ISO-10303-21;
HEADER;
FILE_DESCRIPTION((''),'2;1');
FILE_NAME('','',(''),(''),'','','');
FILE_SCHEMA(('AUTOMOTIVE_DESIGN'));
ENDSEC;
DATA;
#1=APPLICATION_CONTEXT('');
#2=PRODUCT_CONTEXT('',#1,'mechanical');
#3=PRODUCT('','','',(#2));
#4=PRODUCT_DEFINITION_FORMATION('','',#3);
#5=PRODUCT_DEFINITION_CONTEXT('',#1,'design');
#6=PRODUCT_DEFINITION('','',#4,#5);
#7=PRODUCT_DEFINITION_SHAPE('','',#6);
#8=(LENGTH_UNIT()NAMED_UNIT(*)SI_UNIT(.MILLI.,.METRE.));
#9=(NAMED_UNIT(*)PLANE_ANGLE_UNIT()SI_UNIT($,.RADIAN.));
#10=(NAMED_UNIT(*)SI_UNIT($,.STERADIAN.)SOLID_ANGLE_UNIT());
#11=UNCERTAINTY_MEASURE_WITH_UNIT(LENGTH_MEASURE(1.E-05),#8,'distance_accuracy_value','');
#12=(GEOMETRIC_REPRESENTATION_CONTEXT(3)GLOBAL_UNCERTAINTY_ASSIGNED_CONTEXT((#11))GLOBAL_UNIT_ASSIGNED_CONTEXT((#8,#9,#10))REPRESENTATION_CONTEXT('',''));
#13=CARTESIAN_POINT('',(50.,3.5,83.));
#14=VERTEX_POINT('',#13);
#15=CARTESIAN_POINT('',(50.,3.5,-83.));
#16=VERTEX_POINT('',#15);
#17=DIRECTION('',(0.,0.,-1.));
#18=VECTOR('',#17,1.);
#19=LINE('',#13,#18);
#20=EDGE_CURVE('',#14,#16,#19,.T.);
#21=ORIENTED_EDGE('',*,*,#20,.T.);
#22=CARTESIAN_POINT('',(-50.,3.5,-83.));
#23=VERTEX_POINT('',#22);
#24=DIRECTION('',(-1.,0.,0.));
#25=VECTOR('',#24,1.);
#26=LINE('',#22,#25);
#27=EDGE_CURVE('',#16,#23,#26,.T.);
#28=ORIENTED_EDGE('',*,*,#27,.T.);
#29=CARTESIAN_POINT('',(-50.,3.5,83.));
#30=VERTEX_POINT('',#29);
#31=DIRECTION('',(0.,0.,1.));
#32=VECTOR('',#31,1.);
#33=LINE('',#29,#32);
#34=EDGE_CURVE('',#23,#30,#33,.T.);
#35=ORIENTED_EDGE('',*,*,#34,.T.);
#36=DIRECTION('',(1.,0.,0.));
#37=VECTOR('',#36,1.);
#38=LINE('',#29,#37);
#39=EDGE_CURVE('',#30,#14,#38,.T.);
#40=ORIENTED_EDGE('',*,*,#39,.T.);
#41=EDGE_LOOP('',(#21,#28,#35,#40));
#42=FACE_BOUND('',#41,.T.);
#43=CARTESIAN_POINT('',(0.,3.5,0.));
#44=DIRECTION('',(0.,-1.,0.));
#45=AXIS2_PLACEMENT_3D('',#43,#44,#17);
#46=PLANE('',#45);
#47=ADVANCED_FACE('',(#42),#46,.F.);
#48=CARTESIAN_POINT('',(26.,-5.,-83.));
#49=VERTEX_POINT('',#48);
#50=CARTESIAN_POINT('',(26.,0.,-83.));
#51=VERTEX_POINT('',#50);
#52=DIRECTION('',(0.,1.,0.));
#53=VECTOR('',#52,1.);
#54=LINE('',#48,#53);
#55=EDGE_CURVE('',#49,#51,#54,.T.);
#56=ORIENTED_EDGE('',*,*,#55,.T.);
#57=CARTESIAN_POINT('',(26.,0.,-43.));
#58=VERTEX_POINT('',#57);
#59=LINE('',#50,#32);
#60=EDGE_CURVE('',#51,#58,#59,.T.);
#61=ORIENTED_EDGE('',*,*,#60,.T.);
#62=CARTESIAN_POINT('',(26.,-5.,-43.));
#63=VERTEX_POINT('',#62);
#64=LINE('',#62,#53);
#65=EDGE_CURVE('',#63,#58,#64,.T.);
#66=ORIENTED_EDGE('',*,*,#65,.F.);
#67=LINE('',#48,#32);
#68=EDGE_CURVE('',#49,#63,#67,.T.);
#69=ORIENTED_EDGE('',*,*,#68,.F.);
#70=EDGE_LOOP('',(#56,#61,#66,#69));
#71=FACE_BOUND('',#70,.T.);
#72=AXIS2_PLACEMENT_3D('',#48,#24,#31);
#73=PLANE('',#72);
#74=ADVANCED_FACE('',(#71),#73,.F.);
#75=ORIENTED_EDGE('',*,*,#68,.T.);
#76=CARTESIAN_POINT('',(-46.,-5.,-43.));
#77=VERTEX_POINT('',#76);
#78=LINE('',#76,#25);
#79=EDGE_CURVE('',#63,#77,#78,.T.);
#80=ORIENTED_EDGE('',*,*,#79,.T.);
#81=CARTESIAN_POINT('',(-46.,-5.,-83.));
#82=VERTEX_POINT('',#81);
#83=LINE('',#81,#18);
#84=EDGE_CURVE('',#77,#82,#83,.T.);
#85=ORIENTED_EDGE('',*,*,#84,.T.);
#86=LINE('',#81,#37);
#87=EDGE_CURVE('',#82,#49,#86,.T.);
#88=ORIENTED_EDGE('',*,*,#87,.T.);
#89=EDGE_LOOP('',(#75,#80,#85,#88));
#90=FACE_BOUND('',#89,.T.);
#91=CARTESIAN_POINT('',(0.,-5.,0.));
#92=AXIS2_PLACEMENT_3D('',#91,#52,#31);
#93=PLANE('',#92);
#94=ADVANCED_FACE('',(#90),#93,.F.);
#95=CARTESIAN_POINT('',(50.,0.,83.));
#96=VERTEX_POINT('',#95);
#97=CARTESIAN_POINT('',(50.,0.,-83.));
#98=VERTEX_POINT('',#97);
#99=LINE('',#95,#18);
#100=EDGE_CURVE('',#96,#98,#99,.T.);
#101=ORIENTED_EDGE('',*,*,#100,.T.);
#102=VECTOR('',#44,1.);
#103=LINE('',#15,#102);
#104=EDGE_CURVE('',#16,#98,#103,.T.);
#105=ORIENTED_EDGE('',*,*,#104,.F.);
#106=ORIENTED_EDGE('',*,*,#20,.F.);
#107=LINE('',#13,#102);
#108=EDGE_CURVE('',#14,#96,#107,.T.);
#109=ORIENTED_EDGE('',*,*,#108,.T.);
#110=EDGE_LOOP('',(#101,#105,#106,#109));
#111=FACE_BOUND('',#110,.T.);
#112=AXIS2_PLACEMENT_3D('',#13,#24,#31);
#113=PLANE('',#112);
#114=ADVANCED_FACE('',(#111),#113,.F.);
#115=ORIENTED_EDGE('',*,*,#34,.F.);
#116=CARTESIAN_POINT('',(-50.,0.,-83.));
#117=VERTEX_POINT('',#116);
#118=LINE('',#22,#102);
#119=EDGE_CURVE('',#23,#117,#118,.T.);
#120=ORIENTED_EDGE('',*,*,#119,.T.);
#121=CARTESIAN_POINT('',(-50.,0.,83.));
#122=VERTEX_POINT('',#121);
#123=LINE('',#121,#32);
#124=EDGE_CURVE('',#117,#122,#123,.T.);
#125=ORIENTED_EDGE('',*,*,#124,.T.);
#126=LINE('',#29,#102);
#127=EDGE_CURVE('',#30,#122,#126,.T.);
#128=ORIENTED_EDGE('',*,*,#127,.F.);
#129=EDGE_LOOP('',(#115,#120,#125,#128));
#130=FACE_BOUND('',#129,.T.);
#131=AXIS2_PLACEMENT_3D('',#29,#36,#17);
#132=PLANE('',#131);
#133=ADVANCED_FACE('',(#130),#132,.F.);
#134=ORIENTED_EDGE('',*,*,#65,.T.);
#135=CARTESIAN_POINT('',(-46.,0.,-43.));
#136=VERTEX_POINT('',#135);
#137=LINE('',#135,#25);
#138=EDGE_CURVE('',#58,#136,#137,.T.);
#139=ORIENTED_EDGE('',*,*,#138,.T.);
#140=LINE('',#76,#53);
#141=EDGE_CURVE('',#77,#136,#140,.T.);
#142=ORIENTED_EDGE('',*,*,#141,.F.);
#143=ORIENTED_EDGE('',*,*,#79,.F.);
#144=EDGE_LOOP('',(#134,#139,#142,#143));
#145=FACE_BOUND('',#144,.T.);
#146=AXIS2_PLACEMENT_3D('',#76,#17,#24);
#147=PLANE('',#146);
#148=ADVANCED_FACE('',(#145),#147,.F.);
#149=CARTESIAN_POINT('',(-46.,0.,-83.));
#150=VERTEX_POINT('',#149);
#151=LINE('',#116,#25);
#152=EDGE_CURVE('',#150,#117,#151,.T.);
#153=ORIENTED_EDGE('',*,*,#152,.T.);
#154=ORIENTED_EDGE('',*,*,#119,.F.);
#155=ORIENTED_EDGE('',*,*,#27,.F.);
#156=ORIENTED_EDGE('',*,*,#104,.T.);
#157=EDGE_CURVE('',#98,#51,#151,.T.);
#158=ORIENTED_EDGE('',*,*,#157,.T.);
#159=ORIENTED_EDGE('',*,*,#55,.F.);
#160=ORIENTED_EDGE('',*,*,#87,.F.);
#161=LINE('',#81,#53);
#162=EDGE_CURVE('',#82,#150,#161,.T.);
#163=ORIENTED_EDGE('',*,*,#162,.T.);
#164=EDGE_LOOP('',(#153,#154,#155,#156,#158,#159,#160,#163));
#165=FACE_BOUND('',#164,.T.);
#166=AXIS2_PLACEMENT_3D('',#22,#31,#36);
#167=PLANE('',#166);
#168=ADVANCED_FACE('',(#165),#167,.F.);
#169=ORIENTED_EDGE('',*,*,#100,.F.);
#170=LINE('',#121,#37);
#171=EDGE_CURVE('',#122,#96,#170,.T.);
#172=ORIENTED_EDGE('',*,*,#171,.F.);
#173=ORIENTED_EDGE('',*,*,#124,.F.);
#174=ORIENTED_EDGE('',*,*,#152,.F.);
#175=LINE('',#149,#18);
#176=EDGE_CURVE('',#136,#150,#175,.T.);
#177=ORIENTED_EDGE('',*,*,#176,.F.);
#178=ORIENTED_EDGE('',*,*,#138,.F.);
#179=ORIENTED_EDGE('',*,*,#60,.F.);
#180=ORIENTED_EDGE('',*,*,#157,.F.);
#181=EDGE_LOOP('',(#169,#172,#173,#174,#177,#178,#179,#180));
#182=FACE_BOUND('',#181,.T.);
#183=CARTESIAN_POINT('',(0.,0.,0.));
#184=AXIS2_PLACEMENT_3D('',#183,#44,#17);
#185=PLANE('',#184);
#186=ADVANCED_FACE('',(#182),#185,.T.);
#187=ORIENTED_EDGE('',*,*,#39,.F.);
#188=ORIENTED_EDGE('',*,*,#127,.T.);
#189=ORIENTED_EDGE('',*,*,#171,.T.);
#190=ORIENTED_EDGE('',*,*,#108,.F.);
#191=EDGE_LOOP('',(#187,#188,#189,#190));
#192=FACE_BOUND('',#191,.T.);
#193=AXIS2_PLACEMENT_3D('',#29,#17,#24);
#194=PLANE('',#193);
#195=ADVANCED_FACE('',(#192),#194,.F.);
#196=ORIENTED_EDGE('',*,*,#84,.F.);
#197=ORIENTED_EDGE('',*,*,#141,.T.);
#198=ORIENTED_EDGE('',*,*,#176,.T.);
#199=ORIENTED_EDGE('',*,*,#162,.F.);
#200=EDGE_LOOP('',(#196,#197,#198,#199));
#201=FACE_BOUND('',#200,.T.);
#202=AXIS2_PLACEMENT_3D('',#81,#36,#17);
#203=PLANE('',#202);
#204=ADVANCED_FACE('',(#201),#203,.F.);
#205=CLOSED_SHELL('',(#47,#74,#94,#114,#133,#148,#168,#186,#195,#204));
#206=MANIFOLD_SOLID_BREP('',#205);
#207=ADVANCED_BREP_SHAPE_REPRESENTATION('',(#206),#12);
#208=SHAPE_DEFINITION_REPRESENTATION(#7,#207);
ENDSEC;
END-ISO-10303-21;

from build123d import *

# Parameters (mm, degrees)
SKETCH1_W           = 100
SKETCH1_H           = 166
MAIN_BODY_DEPTH     = 3.5
SKETCH2_W           = 72
SKETCH2_H           = 40
PCBS_AND_SUCH_DEPTH = 5


with BuildPart() as part:
    # Sketch1 → MAIN BODY (new body)
    with BuildSketch(Plane(origin=(0, 0, 0), x_dir=(1, 0, 0), z_dir=(0, 1, 0))):
        Rectangle(SKETCH1_W, SKETCH1_H)
    extrude(amount=MAIN_BODY_DEPTH)

    # Sketch2 → PCBs AND SUCH (add)
    with BuildSketch(Plane.XZ):
        with Locations((-10, -63)):
            Rectangle(SKETCH2_W, SKETCH2_H)
    extrude(amount=PCBS_AND_SUCH_DEPTH)


solid = part.part
